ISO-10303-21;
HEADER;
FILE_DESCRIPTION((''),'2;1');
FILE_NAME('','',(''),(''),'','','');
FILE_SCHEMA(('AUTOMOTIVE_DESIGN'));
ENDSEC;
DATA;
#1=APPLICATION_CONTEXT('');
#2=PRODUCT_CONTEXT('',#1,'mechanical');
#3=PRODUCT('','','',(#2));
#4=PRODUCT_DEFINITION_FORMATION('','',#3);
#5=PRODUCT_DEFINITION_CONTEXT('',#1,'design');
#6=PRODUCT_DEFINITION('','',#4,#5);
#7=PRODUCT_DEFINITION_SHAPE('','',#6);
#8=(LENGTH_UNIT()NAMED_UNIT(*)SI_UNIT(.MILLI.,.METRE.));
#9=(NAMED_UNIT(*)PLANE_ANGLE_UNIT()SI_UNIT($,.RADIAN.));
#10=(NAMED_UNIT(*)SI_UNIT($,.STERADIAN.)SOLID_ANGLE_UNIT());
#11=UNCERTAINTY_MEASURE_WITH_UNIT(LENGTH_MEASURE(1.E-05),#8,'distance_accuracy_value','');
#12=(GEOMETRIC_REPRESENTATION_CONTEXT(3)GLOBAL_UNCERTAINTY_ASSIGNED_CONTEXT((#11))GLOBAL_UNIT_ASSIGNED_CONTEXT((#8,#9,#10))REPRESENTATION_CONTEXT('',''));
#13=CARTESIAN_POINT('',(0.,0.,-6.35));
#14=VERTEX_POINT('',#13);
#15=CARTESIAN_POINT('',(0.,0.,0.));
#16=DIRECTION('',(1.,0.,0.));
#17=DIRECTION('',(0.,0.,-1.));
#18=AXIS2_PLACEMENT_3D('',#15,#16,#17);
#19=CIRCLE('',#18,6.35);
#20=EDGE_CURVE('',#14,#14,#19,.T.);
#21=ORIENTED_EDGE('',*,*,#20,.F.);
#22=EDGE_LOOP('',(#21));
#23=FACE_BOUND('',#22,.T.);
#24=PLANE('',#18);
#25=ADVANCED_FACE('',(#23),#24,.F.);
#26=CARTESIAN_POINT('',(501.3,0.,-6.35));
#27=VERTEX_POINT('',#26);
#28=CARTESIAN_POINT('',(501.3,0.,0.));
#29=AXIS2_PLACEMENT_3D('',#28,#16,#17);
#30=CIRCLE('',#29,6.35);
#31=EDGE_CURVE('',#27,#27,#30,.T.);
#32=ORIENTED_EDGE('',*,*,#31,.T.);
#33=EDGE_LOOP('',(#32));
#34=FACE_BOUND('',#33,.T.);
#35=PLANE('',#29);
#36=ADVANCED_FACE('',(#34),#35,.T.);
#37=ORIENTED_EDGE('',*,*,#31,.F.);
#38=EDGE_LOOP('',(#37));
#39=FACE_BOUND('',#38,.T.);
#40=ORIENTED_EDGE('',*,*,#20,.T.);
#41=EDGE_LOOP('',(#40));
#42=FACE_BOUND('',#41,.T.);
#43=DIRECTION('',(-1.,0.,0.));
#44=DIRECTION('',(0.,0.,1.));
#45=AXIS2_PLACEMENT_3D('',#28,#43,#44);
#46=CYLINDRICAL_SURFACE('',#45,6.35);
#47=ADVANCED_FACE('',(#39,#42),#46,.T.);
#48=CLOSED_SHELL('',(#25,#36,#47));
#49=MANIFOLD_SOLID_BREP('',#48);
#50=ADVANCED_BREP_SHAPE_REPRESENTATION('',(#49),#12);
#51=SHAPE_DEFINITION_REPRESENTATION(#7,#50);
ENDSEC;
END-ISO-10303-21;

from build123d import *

# Parameters (mm, degrees)
SKETCH1_R           = 6.35
BOSS_EXTRUDE1_DEPTH = 501.3


with BuildPart() as part:
    # Sketch1 → Boss-Extrude1 (new body)
    with BuildSketch(Plane(origin=(0, 0, 0), x_dir=(0, 0, -1), z_dir=(1, 0, 0))):
        Circle(SKETCH1_R)
    extrude(amount=BOSS_EXTRUDE1_DEPTH)


solid = part.part
